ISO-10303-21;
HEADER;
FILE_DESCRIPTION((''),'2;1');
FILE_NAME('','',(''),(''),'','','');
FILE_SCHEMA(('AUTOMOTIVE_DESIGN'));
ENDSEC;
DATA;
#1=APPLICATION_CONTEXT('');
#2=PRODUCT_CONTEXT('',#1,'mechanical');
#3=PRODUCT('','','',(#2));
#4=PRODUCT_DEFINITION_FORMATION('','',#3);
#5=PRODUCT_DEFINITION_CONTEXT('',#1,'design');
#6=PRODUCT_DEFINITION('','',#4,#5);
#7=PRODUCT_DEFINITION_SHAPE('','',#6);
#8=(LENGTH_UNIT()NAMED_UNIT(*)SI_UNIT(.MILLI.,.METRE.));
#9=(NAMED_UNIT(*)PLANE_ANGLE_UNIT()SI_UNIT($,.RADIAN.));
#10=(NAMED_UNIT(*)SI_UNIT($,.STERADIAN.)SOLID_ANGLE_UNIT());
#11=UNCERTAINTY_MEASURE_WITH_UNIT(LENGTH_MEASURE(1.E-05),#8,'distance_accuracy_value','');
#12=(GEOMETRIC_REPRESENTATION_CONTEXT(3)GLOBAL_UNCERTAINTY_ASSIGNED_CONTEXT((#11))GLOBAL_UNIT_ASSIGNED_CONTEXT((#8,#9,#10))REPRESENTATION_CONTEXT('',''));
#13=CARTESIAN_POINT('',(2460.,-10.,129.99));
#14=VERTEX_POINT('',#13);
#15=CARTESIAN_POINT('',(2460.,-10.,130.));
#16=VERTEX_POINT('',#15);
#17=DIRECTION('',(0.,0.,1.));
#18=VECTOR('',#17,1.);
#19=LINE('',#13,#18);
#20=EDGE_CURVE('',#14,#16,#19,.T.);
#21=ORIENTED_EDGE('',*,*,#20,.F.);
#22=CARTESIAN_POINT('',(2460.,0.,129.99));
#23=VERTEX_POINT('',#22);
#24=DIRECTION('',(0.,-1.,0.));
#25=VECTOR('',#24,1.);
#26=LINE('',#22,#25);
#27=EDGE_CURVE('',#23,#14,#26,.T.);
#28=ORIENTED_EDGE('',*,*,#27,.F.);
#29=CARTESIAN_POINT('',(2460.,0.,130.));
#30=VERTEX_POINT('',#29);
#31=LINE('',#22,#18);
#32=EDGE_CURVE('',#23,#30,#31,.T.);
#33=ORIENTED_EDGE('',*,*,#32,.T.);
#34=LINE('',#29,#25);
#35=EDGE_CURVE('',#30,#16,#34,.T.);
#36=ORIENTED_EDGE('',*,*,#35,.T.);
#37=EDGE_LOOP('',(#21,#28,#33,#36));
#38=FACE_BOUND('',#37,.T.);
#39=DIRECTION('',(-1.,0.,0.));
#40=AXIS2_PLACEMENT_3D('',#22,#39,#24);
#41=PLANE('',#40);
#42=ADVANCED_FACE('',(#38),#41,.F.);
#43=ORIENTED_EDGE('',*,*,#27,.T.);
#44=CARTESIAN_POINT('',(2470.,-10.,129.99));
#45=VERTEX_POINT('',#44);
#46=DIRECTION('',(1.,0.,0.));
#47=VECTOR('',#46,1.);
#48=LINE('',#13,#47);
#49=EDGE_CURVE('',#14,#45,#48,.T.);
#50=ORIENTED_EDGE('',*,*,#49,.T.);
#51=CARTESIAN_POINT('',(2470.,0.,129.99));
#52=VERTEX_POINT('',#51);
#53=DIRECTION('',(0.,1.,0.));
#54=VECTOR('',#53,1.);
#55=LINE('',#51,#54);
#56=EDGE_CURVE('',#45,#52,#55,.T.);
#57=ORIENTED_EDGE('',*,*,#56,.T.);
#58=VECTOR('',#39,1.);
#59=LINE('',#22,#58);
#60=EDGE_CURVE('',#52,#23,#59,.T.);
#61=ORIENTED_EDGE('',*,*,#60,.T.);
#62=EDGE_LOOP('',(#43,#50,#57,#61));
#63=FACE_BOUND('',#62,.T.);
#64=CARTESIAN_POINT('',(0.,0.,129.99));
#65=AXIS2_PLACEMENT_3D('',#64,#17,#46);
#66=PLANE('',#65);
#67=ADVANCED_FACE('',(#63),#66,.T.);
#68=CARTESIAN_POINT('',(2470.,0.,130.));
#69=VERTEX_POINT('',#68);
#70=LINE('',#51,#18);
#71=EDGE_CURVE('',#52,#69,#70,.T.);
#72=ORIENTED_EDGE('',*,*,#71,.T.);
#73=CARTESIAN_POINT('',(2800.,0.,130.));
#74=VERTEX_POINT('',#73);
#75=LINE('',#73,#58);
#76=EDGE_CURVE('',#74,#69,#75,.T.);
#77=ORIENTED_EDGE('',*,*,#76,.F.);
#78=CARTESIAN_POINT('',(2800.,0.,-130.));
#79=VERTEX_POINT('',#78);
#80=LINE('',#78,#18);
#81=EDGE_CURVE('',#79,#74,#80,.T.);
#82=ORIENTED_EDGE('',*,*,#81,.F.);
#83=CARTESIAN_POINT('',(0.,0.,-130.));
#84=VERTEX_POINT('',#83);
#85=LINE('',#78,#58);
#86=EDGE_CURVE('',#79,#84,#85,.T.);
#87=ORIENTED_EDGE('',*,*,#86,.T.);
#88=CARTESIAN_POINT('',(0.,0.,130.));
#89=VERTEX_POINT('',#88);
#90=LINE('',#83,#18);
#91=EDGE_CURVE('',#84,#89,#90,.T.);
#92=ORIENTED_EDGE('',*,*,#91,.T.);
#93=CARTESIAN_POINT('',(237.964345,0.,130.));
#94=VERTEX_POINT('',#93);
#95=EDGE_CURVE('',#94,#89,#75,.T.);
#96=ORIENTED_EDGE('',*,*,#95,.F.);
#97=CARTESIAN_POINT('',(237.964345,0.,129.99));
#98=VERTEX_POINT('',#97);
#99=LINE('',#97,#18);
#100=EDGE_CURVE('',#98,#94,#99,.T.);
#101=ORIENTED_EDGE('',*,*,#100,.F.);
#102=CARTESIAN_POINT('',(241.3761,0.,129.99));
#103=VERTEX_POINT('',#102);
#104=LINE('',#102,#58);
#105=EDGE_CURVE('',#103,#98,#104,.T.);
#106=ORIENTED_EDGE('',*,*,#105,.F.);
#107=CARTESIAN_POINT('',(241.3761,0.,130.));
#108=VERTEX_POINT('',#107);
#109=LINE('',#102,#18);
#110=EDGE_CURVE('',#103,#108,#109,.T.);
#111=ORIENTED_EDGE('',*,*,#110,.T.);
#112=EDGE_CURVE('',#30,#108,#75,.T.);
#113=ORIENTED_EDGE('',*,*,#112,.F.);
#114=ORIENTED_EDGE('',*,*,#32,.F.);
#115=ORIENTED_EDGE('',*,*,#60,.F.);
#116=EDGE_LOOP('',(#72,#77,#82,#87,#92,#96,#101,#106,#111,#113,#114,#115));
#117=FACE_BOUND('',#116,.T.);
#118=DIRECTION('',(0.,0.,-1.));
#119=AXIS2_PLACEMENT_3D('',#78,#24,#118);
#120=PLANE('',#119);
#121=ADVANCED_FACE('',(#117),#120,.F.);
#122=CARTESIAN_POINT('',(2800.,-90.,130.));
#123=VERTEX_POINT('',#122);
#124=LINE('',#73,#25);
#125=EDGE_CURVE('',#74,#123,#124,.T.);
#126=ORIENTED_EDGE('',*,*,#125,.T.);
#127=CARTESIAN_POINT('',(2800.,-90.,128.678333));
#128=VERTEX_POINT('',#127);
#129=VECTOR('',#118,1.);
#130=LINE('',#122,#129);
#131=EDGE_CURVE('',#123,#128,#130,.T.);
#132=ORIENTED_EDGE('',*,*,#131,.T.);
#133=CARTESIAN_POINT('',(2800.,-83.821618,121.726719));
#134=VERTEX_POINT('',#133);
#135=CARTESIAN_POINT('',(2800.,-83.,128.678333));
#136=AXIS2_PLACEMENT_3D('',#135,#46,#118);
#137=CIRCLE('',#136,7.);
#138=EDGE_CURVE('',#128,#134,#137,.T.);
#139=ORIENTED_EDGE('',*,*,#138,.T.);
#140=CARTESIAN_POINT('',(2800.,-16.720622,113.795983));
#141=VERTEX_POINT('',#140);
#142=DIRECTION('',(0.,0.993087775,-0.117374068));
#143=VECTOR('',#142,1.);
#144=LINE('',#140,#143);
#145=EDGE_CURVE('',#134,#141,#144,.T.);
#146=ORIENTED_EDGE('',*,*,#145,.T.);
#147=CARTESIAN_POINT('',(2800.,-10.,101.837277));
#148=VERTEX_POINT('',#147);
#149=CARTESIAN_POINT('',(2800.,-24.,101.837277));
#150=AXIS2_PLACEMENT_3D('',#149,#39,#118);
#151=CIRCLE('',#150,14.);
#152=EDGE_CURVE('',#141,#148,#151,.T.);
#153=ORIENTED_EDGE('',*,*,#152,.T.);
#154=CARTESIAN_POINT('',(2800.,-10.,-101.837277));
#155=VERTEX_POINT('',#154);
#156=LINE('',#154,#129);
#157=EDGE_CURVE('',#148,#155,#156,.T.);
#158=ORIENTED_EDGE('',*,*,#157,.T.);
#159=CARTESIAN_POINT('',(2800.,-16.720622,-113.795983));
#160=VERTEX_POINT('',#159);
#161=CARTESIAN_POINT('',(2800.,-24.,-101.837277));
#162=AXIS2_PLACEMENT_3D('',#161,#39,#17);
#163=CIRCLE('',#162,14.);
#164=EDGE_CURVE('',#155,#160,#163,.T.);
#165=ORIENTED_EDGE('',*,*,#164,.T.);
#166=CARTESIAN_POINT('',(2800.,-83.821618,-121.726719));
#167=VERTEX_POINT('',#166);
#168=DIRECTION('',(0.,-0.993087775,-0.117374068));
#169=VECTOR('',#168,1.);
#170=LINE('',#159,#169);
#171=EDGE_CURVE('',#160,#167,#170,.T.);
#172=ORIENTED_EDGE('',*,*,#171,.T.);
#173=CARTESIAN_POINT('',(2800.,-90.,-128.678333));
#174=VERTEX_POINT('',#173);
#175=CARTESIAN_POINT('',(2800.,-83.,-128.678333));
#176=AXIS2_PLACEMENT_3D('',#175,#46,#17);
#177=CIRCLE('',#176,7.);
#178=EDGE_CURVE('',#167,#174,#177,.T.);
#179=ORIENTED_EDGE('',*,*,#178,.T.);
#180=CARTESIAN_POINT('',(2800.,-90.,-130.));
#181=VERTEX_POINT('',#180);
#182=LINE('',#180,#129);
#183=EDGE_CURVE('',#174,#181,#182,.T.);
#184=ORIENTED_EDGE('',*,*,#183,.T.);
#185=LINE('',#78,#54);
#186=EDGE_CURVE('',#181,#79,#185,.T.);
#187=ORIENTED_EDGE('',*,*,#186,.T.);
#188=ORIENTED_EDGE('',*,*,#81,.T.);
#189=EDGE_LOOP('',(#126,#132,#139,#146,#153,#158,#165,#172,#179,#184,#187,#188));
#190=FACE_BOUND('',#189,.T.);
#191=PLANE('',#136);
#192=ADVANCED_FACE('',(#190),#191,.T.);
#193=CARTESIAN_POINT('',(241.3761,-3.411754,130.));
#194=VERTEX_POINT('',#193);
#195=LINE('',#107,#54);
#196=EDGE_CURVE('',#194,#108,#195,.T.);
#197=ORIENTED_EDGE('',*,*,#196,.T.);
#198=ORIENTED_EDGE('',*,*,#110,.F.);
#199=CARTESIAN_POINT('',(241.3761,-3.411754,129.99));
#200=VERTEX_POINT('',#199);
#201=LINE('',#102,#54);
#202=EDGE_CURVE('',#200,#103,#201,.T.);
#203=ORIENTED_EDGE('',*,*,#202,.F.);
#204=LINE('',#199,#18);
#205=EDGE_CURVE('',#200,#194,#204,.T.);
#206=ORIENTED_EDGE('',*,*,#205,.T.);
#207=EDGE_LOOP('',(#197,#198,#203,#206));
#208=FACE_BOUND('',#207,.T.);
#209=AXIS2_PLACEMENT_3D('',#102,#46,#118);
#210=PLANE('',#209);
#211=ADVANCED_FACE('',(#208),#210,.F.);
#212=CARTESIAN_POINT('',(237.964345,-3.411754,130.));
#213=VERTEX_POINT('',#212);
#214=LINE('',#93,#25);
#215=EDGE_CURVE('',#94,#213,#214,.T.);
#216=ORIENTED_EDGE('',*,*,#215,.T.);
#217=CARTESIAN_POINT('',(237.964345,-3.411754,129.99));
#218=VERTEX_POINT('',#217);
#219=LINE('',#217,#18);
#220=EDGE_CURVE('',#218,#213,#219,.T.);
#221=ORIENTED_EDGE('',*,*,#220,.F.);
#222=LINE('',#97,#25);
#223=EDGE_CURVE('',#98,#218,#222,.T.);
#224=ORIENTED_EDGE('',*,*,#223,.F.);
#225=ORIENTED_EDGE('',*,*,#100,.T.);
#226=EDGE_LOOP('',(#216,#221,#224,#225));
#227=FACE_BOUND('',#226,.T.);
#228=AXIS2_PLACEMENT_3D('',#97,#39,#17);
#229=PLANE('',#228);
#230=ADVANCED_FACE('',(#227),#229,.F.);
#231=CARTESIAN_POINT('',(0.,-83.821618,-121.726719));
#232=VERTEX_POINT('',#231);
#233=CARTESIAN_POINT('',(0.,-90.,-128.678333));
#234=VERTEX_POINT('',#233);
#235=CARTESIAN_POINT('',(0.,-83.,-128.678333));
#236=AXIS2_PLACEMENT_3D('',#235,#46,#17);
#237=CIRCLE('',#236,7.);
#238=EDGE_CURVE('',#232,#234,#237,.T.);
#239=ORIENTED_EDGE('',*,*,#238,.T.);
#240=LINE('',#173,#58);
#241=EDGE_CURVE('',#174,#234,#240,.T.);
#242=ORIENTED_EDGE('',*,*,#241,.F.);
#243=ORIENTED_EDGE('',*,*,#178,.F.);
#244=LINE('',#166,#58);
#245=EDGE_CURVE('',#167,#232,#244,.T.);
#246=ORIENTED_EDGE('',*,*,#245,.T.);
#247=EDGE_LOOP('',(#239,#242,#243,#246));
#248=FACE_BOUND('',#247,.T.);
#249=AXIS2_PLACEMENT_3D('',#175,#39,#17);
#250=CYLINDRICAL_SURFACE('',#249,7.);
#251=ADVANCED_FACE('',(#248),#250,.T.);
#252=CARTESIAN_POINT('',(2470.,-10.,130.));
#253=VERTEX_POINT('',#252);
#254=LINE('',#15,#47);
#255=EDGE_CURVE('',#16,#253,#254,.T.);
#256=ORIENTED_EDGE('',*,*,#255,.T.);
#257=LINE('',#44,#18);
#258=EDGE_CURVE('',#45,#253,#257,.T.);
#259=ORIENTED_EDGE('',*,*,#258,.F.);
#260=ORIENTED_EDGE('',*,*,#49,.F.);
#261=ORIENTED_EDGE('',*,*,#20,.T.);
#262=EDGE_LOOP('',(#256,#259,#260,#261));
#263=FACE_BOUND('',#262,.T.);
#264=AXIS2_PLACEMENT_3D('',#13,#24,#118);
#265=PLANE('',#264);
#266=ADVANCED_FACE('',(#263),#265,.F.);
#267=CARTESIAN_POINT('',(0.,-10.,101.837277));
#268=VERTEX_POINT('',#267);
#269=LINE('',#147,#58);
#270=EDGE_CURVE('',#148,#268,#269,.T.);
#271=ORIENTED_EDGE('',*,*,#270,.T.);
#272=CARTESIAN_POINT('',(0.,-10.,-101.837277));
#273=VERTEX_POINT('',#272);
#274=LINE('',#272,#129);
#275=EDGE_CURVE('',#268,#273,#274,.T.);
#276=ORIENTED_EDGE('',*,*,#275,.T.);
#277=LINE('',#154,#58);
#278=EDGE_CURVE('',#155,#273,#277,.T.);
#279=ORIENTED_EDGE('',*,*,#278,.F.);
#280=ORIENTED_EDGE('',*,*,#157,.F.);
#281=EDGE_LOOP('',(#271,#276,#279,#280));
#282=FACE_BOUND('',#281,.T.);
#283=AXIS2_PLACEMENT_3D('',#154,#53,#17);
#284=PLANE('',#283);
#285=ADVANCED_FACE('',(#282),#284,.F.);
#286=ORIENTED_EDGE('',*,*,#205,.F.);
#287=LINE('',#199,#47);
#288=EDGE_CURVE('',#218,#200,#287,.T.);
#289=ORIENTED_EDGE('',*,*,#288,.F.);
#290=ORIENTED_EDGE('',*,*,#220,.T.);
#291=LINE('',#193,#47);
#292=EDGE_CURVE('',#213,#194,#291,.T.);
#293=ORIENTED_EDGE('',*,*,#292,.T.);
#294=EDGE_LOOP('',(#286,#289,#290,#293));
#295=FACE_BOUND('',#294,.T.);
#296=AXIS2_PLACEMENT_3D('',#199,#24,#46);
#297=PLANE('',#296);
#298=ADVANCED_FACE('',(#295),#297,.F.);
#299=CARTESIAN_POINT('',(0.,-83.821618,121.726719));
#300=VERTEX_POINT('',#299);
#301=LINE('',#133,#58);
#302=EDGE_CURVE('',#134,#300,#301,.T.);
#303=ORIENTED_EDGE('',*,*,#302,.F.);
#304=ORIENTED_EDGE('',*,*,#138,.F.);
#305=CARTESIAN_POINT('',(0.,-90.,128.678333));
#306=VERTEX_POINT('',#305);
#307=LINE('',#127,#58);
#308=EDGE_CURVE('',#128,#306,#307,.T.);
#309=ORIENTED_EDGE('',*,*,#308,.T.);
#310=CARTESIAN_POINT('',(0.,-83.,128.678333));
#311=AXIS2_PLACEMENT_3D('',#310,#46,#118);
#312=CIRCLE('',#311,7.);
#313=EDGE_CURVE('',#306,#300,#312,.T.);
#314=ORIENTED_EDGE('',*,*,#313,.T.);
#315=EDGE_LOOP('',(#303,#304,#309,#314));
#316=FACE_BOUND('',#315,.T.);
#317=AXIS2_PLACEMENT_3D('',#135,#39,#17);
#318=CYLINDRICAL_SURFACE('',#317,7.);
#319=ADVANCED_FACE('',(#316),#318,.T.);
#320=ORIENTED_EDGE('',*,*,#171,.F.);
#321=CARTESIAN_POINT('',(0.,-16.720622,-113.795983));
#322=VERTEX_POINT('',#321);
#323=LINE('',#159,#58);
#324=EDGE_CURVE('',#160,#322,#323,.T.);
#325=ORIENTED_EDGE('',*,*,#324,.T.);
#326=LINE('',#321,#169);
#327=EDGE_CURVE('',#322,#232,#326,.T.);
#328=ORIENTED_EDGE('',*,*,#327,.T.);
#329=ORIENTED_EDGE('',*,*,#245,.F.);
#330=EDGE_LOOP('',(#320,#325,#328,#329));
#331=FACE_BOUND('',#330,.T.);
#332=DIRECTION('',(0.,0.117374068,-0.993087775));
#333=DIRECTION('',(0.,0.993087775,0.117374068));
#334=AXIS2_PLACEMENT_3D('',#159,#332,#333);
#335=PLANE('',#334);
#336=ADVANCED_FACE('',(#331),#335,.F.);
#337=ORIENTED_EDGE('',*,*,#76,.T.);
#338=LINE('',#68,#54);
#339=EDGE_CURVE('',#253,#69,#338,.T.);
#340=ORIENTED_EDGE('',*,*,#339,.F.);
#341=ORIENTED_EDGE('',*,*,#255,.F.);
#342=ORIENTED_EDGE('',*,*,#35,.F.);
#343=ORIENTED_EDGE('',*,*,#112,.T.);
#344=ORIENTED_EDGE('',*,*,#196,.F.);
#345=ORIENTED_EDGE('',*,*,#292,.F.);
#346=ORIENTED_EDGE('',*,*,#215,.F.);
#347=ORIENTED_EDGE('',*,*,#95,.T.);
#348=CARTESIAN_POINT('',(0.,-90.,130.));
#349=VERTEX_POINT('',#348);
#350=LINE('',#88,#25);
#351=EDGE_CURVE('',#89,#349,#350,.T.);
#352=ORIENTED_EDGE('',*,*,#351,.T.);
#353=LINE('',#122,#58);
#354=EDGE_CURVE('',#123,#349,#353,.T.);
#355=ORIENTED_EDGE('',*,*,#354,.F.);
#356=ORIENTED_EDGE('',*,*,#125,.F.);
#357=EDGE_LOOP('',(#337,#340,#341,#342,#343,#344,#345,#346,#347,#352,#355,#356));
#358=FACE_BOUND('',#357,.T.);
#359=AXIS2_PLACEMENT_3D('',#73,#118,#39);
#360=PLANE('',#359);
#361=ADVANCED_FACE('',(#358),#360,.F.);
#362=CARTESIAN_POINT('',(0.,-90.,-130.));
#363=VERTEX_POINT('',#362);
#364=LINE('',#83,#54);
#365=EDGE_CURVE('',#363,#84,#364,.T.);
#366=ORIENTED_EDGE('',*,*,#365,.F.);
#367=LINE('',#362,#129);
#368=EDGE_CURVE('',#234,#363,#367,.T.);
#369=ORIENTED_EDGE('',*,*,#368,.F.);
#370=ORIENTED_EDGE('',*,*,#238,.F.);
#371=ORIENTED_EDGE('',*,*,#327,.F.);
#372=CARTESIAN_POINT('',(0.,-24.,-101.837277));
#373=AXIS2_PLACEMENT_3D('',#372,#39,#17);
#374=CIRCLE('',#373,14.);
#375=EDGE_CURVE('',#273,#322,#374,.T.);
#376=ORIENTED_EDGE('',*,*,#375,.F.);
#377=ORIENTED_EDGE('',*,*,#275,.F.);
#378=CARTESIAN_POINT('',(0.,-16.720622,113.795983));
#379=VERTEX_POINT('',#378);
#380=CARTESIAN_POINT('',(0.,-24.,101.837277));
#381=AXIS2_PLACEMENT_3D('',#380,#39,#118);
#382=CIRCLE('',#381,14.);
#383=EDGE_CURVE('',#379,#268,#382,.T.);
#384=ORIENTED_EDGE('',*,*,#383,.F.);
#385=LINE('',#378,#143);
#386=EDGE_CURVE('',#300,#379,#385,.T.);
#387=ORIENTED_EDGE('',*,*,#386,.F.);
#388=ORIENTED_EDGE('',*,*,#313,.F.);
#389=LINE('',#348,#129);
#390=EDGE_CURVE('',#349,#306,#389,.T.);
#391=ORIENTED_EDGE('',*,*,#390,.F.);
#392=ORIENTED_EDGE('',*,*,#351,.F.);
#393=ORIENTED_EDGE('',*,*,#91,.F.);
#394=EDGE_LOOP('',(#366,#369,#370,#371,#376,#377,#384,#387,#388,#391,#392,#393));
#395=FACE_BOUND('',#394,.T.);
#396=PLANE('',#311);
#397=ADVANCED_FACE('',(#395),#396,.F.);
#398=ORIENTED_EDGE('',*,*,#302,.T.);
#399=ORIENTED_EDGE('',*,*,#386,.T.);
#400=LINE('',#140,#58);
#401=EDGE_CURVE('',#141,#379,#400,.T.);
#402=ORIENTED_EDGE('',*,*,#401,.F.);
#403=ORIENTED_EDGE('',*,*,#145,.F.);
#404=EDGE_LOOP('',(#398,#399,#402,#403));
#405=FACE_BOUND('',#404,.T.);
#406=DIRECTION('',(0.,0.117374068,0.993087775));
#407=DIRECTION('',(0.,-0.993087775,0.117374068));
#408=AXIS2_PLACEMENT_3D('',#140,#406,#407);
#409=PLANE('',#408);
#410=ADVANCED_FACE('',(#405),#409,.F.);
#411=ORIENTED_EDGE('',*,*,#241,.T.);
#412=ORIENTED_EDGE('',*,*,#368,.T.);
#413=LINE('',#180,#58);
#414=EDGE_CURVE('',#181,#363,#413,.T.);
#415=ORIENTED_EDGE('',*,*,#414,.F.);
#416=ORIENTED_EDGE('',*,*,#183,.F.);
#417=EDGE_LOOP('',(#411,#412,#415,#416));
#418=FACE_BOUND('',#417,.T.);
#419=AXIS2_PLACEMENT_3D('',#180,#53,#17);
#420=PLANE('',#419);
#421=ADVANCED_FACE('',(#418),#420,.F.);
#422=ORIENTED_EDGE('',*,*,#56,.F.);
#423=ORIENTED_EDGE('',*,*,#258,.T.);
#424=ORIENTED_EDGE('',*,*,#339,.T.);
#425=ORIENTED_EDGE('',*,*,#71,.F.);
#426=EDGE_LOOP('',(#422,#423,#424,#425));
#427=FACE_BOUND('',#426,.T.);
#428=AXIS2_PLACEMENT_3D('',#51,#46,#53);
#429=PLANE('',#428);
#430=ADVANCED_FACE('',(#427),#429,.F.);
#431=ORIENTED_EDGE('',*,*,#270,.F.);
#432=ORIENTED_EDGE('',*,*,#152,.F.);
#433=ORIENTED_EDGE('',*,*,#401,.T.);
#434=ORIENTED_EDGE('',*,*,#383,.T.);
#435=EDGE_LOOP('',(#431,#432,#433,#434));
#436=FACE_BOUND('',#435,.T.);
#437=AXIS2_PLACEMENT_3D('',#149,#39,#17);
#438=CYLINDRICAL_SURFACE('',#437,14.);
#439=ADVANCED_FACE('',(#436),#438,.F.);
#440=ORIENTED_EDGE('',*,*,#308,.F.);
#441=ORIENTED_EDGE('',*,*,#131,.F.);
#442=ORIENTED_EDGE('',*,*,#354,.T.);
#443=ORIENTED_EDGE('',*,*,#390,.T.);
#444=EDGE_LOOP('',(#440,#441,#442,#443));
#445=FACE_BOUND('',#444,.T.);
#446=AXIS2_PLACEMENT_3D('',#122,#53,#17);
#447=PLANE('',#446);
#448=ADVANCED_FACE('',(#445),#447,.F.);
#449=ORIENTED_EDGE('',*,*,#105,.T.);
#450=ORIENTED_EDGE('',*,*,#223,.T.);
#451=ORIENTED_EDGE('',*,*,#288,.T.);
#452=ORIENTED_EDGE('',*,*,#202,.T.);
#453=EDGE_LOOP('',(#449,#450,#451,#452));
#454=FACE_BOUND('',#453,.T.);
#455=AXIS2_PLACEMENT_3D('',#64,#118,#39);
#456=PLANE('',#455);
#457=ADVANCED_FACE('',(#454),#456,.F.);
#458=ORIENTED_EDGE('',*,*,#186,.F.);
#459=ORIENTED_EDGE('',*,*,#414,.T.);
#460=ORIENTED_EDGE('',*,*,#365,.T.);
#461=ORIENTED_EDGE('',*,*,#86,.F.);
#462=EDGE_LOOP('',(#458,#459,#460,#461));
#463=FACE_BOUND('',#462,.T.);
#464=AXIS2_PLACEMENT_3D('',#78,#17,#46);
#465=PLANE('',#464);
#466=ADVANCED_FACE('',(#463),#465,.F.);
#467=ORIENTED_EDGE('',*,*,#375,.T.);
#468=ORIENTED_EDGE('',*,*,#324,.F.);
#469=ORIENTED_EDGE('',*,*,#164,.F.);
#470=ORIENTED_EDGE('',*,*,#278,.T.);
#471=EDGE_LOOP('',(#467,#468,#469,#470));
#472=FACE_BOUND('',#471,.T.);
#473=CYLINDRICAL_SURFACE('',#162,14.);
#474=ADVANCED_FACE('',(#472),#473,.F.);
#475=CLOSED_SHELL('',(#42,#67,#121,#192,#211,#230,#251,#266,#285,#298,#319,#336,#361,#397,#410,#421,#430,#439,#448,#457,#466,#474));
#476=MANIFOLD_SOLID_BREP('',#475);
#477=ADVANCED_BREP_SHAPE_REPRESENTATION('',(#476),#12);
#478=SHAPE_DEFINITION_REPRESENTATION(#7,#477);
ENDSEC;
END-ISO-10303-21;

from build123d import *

# Parameters (mm, degrees)
EXTRUDE_1_DEPTH     = 2800
SKETCH_3_W          = 3.411754403
SKETCH_3_H          = 3.411754404
CUT_EXTRUDE_1_DEPTH = 0.01
SKETCH_4_W          = 10
SKETCH_4_H          = 10
EXTRUDE_2_DEPTH     = 0.01
SKETCH_4_2_W        = 10
SKETCH_4_2_H        = 10
CUT_EXTRUDE_2_DEPTH = 0.01


with BuildPart() as part:
    # Эскиз2 → Бобышка-Вытянуть1 (new body)
    with BuildSketch(Plane(origin=(0, 0, 0), x_dir=(0, 0, -1), z_dir=(1, 0, 0))):
        with BuildLine():
            Line((130, 0), (-130, 0))
            Line((-130, 0), (-130, -90))
            Line((-130, -90), (-128.678333405, -90))
            ThreePointArc((-128.678333405, -90), (-124.028136062, -88.232175902), (-121.726718983, -83.821618477))
            Line((-121.726718983, -83.821618477), (-113.795983048, -16.720622289))
            ThreePointArc((-113.795983048, -16.720622289), (-108.696165424, -11.795261413), (-101.83727659, -10))
            Line((-101.83727659, -10), (101.83727659, -10))
            ThreePointArc((101.83727659, -10), (108.696165424, -11.795261413), (113.795983048, -16.720622289))
            Line((113.795983048, -16.720622289), (121.726718983, -83.821618477))
            ThreePointArc((121.726718983, -83.821618477), (124.028136062, -88.232175902), (128.678333405, -90))
            Line((128.678333405, -90), (130, -90))
            Line((130, -90), (130, 0))
        make_face()
    extrude(amount=EXTRUDE_1_DEPTH)

    # Эскиз3 → Вырез-Вытянуть1 (cut)
    with BuildSketch(Plane.XY.offset(130)):
        with Locations((239.670222602, -1.705877202)):
            Rectangle(SKETCH_3_W, SKETCH_3_H)
    extrude(amount=-CUT_EXTRUDE_1_DEPTH, mode=Mode.SUBTRACT)

    # Эскиз4 → Бобышка-Вытянуть2 (add)
    with BuildSketch(Plane.XY.offset(130)):
        with Locations((2465, -5)):
            Rectangle(SKETCH_4_W, SKETCH_4_H)
    extrude(amount=-EXTRUDE_2_DEPTH)

    # Эскиз4<2> → Вырез-Вытянуть2 (cut)
    with BuildSketch(Plane.XY.offset(130)):
        with Locations((2465, -5)):
            Rectangle(SKETCH_4_2_W, SKETCH_4_2_H)
    extrude(amount=-CUT_EXTRUDE_2_DEPTH, mode=Mode.SUBTRACT)


solid = part.part
